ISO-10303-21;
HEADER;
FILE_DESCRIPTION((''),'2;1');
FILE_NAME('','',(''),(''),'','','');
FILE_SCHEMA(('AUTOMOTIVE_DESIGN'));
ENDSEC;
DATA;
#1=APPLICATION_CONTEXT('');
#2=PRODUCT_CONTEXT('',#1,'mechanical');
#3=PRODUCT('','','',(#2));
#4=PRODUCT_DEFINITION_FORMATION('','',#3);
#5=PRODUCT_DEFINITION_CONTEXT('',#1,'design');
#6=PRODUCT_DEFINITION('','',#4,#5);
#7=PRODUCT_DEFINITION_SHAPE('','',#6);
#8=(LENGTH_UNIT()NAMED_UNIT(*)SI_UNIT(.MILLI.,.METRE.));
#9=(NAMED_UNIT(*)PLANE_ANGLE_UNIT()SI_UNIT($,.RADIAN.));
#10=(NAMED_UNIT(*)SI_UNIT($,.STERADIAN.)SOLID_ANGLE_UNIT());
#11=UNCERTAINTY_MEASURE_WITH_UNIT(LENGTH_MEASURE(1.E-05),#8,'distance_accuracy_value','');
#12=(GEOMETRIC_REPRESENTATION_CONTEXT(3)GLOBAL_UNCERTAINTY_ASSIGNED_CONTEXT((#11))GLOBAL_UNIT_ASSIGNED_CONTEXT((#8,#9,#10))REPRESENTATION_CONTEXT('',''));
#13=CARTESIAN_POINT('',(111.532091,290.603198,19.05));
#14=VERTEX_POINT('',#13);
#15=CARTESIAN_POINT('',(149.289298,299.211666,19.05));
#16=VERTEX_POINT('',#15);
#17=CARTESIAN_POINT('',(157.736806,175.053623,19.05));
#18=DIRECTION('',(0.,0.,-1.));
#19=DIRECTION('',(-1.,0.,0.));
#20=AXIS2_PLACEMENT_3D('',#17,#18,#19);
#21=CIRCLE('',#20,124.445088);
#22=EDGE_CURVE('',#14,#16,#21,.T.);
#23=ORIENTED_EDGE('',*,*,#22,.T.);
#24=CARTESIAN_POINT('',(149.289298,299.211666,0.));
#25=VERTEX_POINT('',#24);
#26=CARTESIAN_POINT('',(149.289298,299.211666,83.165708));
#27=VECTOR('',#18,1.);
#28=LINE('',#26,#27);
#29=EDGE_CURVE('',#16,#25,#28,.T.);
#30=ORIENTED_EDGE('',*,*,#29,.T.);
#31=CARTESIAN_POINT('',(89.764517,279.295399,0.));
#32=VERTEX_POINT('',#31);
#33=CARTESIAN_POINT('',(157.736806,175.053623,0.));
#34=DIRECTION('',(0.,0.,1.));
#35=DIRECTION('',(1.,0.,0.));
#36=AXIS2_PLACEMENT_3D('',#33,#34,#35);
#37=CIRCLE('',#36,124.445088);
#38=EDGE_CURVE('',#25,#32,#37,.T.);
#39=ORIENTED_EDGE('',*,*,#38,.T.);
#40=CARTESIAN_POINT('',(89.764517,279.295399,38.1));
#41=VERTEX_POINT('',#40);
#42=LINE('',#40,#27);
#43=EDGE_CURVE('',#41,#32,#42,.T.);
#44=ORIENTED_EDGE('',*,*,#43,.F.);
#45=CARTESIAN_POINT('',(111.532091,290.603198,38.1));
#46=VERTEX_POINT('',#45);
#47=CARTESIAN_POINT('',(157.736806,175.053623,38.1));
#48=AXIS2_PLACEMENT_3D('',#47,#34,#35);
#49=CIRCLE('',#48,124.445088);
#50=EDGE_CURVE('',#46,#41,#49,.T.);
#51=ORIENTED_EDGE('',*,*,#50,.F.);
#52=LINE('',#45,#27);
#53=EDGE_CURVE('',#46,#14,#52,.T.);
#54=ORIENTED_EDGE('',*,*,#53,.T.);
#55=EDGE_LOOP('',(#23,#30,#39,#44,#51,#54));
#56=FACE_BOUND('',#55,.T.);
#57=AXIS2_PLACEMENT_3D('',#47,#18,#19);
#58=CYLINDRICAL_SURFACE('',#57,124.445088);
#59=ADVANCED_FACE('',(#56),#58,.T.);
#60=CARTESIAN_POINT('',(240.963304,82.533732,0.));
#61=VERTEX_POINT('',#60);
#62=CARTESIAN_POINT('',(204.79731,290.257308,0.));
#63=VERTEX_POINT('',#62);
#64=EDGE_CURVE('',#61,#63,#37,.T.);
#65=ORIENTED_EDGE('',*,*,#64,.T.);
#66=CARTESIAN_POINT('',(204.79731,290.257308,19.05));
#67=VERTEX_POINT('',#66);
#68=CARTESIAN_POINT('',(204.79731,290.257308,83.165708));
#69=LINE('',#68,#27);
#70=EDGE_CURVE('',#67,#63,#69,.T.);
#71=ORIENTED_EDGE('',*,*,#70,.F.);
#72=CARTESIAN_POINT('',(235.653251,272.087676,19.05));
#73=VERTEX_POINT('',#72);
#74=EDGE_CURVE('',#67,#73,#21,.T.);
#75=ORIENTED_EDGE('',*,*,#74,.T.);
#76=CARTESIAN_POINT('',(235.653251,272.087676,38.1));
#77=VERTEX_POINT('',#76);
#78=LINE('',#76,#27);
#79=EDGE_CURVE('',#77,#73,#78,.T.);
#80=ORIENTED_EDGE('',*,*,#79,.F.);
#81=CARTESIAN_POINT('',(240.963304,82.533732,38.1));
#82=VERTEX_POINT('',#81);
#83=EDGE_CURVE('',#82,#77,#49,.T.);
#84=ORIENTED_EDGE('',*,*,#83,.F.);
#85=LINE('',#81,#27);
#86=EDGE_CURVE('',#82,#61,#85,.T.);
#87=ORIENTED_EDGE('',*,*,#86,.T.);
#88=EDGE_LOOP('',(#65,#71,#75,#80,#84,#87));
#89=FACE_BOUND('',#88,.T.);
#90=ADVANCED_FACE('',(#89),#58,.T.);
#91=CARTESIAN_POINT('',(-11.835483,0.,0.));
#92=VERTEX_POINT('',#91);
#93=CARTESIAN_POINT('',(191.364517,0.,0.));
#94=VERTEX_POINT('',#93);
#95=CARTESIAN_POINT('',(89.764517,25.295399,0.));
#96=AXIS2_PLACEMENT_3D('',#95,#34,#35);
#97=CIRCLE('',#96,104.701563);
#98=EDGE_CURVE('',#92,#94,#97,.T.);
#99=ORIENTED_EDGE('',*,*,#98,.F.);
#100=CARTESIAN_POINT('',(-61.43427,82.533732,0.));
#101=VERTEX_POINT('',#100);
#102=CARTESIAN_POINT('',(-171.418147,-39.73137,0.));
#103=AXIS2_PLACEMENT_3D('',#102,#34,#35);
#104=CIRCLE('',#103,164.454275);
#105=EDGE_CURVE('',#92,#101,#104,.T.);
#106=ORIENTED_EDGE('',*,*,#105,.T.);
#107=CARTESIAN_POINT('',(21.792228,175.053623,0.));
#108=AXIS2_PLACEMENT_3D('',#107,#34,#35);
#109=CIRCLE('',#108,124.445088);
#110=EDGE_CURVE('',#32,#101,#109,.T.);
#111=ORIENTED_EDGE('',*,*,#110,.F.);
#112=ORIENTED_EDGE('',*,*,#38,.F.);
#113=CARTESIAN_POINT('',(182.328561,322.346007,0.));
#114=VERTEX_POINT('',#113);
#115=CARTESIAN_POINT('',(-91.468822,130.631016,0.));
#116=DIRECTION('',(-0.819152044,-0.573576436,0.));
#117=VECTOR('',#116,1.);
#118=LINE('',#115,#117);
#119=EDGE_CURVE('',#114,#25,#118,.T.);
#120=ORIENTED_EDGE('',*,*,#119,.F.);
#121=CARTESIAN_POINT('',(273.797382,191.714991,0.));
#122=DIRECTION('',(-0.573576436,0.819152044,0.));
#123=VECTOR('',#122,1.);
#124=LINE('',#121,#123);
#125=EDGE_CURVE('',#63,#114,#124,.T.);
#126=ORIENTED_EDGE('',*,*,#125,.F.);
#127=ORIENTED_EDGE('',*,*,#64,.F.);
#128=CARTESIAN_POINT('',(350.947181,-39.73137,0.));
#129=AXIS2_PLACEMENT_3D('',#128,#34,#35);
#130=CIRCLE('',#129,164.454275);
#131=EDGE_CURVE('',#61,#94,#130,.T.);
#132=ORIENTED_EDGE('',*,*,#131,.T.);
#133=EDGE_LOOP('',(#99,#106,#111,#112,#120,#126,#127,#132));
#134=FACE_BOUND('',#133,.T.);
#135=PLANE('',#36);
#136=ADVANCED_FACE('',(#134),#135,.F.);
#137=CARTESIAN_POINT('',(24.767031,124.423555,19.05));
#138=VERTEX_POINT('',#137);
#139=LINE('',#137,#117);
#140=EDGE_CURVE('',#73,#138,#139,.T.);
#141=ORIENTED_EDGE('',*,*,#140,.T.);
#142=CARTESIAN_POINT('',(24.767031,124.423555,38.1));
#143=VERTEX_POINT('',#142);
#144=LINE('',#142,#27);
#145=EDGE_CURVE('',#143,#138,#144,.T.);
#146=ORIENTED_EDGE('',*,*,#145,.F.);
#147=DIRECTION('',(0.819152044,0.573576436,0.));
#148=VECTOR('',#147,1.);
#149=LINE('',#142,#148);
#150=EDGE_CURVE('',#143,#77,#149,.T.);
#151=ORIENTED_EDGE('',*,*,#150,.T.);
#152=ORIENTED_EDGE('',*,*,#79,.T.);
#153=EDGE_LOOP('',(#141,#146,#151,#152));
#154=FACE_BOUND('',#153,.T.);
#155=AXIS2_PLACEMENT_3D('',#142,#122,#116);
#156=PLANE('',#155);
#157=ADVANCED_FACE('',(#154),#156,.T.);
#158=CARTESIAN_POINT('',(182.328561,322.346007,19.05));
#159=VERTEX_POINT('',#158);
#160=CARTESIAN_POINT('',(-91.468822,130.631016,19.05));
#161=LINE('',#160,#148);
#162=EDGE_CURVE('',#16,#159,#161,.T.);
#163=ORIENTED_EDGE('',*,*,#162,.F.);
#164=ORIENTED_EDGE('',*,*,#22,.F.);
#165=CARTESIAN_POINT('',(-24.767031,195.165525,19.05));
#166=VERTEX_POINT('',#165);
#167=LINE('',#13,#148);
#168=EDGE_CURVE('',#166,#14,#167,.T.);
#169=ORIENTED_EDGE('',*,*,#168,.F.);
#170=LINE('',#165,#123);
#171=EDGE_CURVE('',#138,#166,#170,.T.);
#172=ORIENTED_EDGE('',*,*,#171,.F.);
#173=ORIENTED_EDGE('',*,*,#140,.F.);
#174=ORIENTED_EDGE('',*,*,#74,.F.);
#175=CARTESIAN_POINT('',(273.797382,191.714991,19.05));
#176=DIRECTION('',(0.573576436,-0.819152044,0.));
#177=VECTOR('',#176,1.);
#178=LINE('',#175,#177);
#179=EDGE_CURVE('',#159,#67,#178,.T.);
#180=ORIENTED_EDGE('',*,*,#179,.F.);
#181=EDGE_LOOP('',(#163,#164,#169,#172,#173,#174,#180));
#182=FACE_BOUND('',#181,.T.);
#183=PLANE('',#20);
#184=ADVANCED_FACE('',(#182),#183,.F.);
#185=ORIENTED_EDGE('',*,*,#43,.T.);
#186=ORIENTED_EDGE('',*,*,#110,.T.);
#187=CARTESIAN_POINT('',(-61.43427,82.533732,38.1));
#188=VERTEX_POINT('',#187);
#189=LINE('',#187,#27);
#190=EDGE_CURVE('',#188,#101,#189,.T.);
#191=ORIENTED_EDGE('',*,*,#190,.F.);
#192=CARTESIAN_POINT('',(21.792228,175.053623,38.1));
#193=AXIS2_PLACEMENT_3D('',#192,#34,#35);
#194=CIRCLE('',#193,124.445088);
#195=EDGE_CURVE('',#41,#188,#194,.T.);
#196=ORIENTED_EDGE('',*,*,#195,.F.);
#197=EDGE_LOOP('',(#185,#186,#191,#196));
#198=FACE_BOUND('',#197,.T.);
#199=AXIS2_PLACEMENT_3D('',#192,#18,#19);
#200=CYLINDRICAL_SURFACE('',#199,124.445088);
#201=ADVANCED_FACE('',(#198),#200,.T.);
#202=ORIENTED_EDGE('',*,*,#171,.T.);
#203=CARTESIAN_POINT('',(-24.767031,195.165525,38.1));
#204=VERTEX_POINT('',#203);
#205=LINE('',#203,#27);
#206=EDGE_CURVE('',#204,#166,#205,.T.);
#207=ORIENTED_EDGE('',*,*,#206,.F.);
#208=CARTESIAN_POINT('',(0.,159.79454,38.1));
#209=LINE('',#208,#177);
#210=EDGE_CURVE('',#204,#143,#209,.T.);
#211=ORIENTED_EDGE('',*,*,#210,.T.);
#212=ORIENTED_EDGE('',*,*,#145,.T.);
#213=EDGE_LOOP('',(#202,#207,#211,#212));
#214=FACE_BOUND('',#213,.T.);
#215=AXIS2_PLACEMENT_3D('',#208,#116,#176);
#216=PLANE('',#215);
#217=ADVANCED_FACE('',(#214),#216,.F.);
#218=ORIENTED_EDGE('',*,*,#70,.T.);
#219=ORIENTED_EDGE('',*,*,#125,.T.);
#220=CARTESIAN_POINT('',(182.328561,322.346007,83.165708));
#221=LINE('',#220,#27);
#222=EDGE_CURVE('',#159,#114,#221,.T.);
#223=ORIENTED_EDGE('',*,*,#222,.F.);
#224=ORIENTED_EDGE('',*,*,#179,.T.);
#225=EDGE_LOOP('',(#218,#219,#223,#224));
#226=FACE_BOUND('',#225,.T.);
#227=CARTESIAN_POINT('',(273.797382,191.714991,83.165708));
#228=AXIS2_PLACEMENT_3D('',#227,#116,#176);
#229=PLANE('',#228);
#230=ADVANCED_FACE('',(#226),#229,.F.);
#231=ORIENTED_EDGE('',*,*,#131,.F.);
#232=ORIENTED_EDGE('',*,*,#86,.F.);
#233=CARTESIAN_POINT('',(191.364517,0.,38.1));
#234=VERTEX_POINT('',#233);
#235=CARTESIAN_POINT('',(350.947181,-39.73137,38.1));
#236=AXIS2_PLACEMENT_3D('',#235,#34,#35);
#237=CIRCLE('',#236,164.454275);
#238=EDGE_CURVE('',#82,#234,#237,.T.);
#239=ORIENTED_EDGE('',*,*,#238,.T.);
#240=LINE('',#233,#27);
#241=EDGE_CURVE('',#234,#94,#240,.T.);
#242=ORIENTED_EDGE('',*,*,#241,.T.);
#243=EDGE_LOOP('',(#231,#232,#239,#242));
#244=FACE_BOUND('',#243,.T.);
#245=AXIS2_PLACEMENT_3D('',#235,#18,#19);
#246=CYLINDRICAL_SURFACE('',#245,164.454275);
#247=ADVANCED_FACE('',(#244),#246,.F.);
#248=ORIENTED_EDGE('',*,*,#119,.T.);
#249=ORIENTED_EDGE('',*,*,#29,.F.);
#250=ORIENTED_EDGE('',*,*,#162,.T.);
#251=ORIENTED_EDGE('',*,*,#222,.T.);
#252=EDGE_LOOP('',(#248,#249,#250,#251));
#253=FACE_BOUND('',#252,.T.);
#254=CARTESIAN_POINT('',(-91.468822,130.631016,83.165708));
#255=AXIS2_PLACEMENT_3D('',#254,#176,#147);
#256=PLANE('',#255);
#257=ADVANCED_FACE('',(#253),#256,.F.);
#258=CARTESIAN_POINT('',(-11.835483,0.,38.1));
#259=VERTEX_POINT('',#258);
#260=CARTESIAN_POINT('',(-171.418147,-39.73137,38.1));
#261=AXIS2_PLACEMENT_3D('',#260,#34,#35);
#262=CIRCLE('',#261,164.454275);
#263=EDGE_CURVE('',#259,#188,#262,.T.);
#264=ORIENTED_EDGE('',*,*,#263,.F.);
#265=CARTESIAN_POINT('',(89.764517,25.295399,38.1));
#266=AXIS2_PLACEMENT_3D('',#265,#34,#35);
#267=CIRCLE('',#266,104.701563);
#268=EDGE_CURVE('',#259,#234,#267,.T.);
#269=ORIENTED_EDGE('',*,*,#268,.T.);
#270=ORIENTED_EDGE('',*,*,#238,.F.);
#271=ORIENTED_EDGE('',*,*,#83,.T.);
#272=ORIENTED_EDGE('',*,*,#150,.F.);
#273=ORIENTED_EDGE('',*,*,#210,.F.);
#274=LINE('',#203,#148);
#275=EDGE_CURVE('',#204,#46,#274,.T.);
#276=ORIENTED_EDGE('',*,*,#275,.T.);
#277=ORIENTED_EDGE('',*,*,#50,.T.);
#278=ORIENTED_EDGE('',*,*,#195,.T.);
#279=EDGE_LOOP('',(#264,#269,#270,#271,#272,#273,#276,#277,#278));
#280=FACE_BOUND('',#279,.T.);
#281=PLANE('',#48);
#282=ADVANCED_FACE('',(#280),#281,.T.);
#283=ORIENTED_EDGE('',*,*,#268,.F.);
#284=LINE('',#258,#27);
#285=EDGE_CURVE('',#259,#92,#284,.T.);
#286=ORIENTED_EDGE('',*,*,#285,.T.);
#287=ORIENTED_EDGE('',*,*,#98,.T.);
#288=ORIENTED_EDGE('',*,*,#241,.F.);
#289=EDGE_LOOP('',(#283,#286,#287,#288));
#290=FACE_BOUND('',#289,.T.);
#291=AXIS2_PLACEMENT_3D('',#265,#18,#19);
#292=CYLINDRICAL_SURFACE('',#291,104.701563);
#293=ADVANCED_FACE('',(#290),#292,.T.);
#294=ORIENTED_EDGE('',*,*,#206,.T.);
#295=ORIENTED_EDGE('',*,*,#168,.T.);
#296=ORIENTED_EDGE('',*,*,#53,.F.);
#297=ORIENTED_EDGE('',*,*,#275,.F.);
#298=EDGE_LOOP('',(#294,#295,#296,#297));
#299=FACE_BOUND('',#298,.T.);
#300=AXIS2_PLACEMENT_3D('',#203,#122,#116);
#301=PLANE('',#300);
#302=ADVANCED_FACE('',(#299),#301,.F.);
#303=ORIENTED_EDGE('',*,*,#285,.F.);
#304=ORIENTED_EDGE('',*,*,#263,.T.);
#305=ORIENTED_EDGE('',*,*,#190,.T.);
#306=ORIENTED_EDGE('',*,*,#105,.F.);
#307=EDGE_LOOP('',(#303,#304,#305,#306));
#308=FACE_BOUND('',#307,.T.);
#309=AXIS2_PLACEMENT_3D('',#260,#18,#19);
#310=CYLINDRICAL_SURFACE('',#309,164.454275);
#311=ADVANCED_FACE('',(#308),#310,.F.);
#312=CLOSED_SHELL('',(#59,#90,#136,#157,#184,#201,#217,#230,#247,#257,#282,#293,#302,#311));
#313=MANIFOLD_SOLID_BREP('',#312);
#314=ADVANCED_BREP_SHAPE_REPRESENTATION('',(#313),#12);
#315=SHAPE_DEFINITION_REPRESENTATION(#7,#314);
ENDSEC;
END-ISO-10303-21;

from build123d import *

# Parameters (mm, degrees)
BOSS_EXTRUDE1_DEPTH = 38.1
BOSS_EXTRUDE2_DEPTH = 19.05
BOSS_EXTRUDE3_DEPTH = 19.05


with BuildPart() as part:
    # Sketch2 → Boss-Extrude1 (new body)
    with BuildSketch(Plane.XY):
        with BuildLine():
            Line((0, 159.7945402), (24.767030522, 124.423554927))
            Line((24.767030522, 124.423554927), (235.653251342, 272.08767645))
            ThreePointArc((235.653251342, 272.08767645), (282.133094114, 178.538387025), (240.963304039, 82.533732339))
            ThreePointArc((240.963304039, 82.533732339), (209.988023007, 44.978276319), (191.364517126, 0))
            ThreePointArc((191.364517126, 0), (89.764517126, -79.406163555), (-11.835482874, 0))
            ThreePointArc((-11.835482874, 0), (-30.458988755, 44.978276319), (-61.434269787, 82.533732339))
            ThreePointArc((-61.434269787, 82.533732339), (-76.883813046, 250.879864381), (89.764517126, 279.295399058))
            ThreePointArc((89.764517126, 279.295399058), (100.369013371, 285.48693454), (111.532091006, 290.603197817))
            Line((111.532091006, 290.603197817), (-24.767030522, 195.165525472))
            Line((-24.767030522, 195.165525472), (0, 159.7945402))
        make_face()
    extrude(amount=BOSS_EXTRUDE1_DEPTH)



with BuildPart() as body_2:
    # Sketch3 → Boss-Extrude2 (new body)
    with BuildSketch(Plane(origin=(0, 0, 0), x_dir=(-1, 0, 0), z_dir=(0, 0, -1))):
        with BuildLine():
            Line((24.767030522, 195.165525472), (-24.767030522, 124.423554927))
            Line((-24.767030522, 124.423554927), (-235.653251342, 272.08767645))
            ThreePointArc((-235.653251342, 272.08767645), (-176.097486655, 298.136787359), (-111.532091006, 290.603197817))
            Line((-111.532091006, 290.603197817), (24.767030522, 195.165525472))
        make_face()
    extrude(amount=-BOSS_EXTRUDE2_DEPTH)


with BuildPart() as part_1:
    add(part.part)

    add(body_2.part)  # Boss-Extrude3 merges body 2
    # Sketch4 → Boss-Extrude3 (add)
    with BuildSketch(Plane(origin=(0, 0, 0), x_dir=(-1, 0, 0), z_dir=(0, 0, -1))):
        Polygon((-152.689068197, 231.824942879), (-215.108453971, 275.531467329), (-182.328560634, 322.34600666), (-119.909174859, 278.63948221), align=None)
    extrude(amount=-BOSS_EXTRUDE3_DEPTH)


solid = part_1.part
